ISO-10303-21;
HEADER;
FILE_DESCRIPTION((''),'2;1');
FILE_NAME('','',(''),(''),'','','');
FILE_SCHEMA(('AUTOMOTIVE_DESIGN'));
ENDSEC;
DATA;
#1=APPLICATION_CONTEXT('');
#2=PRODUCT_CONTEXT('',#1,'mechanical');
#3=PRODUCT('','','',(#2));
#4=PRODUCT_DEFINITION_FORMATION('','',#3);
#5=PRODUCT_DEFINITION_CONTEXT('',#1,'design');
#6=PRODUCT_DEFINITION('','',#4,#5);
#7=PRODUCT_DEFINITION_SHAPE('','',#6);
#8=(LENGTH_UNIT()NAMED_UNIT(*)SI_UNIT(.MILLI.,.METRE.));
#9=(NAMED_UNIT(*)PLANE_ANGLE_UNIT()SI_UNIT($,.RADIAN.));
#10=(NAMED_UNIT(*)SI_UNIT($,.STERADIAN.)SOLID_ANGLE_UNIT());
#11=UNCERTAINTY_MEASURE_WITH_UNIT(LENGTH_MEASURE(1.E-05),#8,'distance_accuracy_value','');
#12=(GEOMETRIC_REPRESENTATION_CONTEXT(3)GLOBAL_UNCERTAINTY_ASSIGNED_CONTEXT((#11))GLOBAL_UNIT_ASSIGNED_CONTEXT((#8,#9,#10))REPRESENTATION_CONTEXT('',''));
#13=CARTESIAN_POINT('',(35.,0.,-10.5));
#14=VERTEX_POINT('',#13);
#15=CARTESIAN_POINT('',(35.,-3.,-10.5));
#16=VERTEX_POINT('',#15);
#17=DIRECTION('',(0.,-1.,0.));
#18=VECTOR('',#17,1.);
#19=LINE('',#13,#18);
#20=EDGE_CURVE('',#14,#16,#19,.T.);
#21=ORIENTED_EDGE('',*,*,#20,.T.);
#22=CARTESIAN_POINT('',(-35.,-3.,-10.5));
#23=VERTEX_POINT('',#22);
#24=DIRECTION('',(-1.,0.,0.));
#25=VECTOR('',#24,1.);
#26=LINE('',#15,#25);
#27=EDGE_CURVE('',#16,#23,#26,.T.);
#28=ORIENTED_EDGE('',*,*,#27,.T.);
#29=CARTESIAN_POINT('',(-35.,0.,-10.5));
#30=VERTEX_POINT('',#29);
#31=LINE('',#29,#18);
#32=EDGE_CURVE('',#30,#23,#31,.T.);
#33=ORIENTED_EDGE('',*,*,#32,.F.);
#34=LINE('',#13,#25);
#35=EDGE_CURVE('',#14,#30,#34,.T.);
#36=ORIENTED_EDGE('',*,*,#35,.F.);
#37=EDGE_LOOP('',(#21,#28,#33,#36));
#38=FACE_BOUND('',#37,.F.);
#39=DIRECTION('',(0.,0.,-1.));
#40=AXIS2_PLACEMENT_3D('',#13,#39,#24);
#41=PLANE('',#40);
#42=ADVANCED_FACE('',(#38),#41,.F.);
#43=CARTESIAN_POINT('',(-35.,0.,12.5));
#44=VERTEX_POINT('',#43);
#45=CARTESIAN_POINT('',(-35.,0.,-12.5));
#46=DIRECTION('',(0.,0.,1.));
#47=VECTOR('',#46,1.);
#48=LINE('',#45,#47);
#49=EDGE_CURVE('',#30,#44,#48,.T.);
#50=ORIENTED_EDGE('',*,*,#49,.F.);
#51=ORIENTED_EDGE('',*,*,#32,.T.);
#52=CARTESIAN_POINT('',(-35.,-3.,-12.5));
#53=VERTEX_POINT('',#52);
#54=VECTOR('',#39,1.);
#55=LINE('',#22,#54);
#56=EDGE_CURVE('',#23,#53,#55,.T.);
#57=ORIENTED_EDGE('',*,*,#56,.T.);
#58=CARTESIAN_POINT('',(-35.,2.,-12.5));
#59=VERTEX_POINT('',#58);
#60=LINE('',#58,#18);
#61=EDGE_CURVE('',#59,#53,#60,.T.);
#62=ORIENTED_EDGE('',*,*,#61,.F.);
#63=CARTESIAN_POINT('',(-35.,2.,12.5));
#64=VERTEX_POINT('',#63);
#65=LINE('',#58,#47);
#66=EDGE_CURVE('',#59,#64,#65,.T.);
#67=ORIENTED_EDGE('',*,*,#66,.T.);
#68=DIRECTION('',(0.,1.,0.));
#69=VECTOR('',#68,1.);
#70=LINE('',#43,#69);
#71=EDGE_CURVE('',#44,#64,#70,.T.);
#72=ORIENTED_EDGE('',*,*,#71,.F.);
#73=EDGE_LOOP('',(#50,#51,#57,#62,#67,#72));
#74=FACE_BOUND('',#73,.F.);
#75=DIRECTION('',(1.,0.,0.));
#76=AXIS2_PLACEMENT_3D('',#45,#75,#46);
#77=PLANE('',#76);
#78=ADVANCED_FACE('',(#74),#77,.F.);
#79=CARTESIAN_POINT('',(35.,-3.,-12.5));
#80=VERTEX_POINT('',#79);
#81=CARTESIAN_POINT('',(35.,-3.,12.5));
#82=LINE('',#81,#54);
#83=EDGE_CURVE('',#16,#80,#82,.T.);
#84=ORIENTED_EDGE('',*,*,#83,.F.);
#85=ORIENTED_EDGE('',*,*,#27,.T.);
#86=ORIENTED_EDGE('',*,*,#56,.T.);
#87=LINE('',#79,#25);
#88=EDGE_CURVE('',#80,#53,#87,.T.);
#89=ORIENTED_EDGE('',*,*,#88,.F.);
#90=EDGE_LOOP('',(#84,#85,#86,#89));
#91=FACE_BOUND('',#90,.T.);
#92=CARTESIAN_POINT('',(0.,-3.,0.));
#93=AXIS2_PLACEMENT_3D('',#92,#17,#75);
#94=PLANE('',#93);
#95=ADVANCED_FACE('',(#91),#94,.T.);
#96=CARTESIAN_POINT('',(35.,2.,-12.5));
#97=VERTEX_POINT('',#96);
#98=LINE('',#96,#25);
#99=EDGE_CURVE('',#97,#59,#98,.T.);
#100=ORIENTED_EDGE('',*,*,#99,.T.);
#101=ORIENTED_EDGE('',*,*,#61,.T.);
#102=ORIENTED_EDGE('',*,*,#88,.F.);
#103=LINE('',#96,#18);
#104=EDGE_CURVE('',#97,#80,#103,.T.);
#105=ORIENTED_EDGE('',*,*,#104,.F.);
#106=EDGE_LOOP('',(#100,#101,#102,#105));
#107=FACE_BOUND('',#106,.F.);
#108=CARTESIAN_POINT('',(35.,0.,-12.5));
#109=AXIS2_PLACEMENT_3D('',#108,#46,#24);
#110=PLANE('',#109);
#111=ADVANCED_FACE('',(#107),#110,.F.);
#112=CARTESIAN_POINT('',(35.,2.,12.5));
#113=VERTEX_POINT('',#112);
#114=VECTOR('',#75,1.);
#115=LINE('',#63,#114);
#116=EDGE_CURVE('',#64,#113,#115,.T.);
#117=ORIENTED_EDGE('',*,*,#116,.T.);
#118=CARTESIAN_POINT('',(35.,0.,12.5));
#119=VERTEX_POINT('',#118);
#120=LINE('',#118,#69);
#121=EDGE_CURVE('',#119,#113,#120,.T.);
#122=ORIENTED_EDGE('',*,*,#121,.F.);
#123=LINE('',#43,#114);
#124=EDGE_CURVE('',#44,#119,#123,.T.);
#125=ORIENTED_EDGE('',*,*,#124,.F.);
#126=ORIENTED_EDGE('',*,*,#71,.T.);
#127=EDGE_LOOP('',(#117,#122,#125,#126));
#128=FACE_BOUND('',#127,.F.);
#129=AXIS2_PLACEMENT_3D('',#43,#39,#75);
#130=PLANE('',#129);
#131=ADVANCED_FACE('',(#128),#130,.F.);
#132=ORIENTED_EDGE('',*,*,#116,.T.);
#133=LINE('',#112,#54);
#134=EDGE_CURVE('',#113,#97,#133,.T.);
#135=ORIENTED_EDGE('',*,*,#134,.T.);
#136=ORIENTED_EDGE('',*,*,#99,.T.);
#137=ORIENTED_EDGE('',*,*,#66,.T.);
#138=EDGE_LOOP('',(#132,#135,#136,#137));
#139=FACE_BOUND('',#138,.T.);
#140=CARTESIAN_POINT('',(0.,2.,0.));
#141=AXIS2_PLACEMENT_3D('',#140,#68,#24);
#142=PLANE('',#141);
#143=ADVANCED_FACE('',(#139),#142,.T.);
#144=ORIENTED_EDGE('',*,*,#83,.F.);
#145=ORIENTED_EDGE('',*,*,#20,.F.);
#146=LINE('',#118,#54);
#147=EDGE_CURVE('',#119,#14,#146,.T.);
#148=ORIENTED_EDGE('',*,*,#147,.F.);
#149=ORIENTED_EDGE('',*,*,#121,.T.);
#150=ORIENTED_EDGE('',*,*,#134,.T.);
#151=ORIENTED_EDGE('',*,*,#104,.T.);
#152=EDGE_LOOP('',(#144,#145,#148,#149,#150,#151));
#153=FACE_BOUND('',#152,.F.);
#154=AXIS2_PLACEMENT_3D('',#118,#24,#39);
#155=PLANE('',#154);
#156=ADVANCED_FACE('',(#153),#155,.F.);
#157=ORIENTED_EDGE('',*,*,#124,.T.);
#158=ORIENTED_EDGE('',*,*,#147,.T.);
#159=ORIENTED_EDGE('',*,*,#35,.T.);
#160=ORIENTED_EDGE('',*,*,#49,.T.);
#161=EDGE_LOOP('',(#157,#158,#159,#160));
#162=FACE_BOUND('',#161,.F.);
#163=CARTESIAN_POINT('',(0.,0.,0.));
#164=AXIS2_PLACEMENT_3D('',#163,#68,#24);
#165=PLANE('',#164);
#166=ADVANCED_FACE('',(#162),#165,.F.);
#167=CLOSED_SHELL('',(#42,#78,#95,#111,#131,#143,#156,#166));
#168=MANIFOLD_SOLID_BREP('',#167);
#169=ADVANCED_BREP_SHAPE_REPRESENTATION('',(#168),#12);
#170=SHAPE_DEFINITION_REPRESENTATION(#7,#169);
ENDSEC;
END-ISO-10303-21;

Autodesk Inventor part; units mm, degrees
ref_plane "YZ Plane" through (0, 0, 0) normal (1, 0, 0) x (0, 1, 0)
ref_plane "XZ Plane" through (0, 0, 0) normal (0, 1, 0) x (-1, 0, 0)
ref_plane "XY Plane" through (0, 0, 0) normal (0, 0, 1) x (1, 0, 0)
sketch "Sketch1" plane through (0, 0, 0) normal (0, 1, 0) x (-1, 0, 0)
  line L0 (35, 12.5) -> (-35, 12.5)
  line L1 (-35, 12.5) -> (-35, -12.5)
  line L2 (-35, -12.5) -> (35, -12.5)
  line L3 (35, -12.5) -> (35, 12.5)
  line L4 (35, 12.5) -> (-35, -12.5) construction
  line L5 (-35, 12.5) -> (35, -12.5) construction
  point P0 (0, 0)
  dimension "d0" = 70
  dimension "d1" = 25
extrude "Extrusion1" add sketch "Sketch1" along normal blind 2
sketch "Sketch2" plane through (0, 0, 0) normal (0, -1, 0) x (1, 0, 0)
  line L0 (35, 12.5) -> (35, -12.5) projected
  line L1 (35, -12.5) -> (-35, -12.5) projected
  line L2 (-35, -12.5) -> (35, -12.5)
  line L3 (35, -12.5) -> (35, -10.5)
  line L4 (35, -10.5) -> (-35, -10.5)
  line L5 (-35, -10.5) -> (-35, -12.5)
  point P0 (0, 0)
  dimension "d7" = 2
extrude "Extrusion2" add sketch "Sketch2" along normal blind 3
properties part number "SP46V1 Felpa Roldana" material "Fabric"
